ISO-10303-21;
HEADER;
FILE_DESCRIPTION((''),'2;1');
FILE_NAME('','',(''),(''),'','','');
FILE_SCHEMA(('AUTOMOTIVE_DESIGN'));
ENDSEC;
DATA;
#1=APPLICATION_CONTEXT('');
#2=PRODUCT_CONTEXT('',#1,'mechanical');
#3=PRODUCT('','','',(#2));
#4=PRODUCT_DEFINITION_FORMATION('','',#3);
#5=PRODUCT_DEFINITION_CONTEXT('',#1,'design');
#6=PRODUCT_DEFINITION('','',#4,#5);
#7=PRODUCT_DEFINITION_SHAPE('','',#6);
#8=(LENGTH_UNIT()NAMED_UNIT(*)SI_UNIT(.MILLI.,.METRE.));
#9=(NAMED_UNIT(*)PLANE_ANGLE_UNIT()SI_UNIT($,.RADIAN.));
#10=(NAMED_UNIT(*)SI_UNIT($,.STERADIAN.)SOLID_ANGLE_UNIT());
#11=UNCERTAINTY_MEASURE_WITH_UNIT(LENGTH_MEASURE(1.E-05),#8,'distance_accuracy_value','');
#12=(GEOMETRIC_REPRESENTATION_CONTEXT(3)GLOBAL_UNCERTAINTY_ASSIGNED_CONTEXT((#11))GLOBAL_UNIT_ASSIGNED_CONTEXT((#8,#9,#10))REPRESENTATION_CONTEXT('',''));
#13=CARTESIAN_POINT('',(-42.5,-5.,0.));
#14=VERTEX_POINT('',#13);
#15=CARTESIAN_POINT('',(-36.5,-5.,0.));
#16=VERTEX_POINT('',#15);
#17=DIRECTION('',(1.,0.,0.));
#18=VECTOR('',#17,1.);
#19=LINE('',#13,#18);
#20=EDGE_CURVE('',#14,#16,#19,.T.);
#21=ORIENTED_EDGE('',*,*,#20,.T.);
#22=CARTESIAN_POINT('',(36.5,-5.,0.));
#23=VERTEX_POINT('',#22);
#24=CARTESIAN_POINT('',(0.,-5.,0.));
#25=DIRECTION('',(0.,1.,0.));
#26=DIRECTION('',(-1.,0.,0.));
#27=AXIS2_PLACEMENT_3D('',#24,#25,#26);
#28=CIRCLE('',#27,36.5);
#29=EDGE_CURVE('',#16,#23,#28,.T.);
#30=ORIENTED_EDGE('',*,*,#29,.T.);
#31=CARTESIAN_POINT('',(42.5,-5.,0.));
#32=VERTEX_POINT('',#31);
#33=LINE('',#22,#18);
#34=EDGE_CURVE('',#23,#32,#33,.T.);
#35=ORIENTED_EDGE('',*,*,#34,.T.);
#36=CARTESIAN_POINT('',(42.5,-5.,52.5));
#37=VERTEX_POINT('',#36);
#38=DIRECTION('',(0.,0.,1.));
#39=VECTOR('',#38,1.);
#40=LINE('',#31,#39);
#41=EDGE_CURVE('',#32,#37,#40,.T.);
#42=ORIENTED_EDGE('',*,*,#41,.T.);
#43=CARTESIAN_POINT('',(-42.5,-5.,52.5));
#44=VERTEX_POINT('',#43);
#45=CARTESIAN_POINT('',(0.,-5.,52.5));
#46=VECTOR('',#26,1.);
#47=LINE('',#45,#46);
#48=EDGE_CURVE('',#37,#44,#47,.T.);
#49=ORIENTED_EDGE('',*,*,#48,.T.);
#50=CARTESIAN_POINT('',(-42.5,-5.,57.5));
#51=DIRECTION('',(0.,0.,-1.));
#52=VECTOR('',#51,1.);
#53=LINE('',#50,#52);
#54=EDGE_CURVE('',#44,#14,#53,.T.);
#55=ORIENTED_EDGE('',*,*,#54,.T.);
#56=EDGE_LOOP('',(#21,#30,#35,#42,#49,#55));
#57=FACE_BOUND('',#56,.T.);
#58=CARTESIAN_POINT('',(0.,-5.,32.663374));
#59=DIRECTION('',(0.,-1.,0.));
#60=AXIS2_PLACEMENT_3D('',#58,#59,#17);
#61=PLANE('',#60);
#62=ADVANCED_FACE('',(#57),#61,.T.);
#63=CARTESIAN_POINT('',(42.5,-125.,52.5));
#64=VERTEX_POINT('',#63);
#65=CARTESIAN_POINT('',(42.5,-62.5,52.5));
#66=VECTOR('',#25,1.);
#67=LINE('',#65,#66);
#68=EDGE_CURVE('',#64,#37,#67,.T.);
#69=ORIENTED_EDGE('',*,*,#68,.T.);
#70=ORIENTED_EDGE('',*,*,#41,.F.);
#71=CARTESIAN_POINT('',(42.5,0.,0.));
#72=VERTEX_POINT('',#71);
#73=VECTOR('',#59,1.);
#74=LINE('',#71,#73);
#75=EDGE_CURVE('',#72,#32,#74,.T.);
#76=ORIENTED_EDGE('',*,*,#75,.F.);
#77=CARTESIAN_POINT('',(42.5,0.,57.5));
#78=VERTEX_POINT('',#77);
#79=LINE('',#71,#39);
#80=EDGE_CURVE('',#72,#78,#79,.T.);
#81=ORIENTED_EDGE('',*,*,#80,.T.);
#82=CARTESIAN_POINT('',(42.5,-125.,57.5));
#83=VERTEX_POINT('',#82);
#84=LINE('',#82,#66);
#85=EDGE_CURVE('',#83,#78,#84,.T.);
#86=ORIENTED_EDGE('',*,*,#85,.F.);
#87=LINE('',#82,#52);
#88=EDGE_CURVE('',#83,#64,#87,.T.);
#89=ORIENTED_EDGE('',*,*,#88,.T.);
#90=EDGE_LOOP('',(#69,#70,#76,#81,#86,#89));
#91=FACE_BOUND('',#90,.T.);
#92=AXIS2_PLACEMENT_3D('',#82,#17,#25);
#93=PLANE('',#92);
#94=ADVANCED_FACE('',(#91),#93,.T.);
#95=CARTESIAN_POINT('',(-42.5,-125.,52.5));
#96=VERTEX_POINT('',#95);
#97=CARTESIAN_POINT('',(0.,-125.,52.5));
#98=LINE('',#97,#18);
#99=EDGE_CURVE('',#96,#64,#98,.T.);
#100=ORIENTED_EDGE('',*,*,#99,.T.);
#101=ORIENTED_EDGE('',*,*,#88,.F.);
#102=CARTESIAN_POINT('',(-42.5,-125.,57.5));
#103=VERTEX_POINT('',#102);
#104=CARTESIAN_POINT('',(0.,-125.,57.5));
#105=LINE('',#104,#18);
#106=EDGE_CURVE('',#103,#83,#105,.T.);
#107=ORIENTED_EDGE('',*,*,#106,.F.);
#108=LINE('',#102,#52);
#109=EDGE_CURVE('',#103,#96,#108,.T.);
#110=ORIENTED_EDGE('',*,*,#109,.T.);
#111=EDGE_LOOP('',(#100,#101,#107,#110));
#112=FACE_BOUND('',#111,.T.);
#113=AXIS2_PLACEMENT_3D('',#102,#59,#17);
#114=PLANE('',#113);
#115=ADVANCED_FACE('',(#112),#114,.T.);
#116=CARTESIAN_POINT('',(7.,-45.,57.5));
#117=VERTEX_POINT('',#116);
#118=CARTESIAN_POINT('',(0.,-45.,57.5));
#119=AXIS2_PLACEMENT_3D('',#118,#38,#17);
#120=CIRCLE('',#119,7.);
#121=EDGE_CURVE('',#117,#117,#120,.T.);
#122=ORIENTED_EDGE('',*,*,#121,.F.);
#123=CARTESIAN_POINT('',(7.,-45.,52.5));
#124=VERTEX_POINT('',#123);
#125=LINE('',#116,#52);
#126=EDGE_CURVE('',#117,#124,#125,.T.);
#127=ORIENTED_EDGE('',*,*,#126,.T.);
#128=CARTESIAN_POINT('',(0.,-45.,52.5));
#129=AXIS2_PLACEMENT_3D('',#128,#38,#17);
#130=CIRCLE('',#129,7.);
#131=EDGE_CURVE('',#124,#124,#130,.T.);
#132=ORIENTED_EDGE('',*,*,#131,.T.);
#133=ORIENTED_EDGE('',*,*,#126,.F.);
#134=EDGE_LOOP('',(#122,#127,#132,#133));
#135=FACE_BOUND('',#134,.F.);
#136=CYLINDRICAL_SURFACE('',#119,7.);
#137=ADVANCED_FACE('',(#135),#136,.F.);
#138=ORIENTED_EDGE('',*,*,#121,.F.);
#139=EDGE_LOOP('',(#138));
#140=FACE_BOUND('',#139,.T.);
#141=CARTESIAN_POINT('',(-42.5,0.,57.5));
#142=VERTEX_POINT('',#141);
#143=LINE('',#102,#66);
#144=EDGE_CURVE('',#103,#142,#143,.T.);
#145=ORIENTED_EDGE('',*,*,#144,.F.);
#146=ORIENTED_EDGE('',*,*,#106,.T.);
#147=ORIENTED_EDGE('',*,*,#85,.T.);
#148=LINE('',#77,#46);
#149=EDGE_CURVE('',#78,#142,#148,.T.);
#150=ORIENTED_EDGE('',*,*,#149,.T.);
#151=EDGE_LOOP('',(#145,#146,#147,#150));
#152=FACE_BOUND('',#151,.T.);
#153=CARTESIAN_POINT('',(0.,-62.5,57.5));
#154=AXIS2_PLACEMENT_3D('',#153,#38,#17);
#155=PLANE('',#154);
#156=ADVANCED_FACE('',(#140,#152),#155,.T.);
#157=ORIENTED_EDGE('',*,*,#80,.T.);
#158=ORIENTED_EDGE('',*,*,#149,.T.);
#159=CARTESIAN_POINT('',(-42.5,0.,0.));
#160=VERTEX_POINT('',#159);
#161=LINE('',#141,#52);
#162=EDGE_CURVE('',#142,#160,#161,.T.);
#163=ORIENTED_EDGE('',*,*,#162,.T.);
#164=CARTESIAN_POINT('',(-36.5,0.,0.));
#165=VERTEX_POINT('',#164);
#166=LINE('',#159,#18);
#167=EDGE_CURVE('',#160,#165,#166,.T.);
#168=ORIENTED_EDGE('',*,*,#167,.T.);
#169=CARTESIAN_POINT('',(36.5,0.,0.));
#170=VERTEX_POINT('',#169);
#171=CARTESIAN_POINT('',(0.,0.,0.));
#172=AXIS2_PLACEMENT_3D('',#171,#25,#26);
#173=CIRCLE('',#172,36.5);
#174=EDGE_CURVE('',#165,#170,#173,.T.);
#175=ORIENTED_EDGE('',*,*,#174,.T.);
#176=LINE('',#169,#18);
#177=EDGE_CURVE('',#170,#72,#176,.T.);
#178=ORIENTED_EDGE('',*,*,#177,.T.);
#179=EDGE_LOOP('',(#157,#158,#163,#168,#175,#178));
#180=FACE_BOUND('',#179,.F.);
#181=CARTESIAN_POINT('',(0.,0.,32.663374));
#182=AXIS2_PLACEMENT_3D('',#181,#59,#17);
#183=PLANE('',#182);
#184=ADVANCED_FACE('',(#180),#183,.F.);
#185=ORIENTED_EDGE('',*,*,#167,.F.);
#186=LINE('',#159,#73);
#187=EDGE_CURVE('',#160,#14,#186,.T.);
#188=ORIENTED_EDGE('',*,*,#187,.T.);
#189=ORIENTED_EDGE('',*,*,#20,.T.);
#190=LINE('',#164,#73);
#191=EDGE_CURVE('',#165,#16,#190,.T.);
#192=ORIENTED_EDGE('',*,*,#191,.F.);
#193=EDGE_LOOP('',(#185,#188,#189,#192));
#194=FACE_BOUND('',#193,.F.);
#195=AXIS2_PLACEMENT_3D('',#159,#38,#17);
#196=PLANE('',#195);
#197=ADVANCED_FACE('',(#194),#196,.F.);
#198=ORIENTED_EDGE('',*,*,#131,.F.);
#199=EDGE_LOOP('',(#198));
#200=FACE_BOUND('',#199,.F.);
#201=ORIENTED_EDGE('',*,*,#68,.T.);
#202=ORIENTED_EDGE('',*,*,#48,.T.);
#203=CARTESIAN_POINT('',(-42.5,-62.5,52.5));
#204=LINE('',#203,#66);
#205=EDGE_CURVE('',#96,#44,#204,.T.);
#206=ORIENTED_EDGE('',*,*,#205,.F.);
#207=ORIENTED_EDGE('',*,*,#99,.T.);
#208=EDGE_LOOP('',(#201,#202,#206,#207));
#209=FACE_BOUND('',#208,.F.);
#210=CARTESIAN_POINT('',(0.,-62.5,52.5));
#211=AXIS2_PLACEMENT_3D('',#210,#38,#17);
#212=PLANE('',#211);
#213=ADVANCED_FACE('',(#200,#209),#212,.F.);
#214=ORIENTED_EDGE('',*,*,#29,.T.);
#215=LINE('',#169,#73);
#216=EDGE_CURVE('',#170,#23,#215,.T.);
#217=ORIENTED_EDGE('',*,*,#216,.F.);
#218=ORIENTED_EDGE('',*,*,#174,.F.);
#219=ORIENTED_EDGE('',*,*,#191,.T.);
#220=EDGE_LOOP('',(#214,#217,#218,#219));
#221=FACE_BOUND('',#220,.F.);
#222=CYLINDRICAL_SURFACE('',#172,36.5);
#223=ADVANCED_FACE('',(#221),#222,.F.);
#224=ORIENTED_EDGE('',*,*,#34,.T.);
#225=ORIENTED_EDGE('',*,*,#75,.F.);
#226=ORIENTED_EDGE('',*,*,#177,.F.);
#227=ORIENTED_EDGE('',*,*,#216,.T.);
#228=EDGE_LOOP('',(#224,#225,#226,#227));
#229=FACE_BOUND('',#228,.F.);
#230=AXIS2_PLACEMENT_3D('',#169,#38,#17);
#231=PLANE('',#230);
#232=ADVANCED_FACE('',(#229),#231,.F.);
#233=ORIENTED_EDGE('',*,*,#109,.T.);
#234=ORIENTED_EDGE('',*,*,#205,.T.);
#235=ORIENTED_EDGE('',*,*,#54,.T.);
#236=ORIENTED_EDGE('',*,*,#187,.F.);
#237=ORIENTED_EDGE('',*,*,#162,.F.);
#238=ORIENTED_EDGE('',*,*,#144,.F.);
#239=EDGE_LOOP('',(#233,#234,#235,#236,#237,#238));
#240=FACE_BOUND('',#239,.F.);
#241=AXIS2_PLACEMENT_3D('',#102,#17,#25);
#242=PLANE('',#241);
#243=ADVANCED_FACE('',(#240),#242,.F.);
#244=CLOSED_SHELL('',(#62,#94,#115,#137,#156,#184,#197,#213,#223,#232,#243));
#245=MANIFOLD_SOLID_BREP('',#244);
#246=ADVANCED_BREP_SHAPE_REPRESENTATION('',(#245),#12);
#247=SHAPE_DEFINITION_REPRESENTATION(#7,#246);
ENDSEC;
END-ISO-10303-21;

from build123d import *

# Parameters (mm, degrees)
F1_DEPTH = 5
F2_W     = 85
F2_H     = 125
F2_R     = 7
F3_DEPTH = 5


with BuildPart() as f1:
    # F0 (on Front) → F1 (new body)
    with BuildSketch(Plane.XZ):
        with BuildLine():
            ThreePointArc((-36.5, 0), (0, 36.5), (36.5, 0))
            Line((36.5, 0), (42.5, 0))
            Line((42.5, 0), (42.5, 57.5))
            Line((42.5, 57.5), (-42.5, 57.5))
            Line((-42.5, 57.5), (-42.5, 0))
            Line((-42.5, 0), (-36.5, 0))
        make_face()
    extrude(amount=F1_DEPTH)

    # F2 (on face) → F3 (join)
    with BuildSketch(Plane.XY.offset(57.5)):
        with Locations((0, -62.5)):
            Rectangle(F2_W, F2_H)
        with Locations((0, -45)):
            Circle(F2_R, mode=Mode.SUBTRACT)
    extrude(amount=-F3_DEPTH)


solid = f1.part
